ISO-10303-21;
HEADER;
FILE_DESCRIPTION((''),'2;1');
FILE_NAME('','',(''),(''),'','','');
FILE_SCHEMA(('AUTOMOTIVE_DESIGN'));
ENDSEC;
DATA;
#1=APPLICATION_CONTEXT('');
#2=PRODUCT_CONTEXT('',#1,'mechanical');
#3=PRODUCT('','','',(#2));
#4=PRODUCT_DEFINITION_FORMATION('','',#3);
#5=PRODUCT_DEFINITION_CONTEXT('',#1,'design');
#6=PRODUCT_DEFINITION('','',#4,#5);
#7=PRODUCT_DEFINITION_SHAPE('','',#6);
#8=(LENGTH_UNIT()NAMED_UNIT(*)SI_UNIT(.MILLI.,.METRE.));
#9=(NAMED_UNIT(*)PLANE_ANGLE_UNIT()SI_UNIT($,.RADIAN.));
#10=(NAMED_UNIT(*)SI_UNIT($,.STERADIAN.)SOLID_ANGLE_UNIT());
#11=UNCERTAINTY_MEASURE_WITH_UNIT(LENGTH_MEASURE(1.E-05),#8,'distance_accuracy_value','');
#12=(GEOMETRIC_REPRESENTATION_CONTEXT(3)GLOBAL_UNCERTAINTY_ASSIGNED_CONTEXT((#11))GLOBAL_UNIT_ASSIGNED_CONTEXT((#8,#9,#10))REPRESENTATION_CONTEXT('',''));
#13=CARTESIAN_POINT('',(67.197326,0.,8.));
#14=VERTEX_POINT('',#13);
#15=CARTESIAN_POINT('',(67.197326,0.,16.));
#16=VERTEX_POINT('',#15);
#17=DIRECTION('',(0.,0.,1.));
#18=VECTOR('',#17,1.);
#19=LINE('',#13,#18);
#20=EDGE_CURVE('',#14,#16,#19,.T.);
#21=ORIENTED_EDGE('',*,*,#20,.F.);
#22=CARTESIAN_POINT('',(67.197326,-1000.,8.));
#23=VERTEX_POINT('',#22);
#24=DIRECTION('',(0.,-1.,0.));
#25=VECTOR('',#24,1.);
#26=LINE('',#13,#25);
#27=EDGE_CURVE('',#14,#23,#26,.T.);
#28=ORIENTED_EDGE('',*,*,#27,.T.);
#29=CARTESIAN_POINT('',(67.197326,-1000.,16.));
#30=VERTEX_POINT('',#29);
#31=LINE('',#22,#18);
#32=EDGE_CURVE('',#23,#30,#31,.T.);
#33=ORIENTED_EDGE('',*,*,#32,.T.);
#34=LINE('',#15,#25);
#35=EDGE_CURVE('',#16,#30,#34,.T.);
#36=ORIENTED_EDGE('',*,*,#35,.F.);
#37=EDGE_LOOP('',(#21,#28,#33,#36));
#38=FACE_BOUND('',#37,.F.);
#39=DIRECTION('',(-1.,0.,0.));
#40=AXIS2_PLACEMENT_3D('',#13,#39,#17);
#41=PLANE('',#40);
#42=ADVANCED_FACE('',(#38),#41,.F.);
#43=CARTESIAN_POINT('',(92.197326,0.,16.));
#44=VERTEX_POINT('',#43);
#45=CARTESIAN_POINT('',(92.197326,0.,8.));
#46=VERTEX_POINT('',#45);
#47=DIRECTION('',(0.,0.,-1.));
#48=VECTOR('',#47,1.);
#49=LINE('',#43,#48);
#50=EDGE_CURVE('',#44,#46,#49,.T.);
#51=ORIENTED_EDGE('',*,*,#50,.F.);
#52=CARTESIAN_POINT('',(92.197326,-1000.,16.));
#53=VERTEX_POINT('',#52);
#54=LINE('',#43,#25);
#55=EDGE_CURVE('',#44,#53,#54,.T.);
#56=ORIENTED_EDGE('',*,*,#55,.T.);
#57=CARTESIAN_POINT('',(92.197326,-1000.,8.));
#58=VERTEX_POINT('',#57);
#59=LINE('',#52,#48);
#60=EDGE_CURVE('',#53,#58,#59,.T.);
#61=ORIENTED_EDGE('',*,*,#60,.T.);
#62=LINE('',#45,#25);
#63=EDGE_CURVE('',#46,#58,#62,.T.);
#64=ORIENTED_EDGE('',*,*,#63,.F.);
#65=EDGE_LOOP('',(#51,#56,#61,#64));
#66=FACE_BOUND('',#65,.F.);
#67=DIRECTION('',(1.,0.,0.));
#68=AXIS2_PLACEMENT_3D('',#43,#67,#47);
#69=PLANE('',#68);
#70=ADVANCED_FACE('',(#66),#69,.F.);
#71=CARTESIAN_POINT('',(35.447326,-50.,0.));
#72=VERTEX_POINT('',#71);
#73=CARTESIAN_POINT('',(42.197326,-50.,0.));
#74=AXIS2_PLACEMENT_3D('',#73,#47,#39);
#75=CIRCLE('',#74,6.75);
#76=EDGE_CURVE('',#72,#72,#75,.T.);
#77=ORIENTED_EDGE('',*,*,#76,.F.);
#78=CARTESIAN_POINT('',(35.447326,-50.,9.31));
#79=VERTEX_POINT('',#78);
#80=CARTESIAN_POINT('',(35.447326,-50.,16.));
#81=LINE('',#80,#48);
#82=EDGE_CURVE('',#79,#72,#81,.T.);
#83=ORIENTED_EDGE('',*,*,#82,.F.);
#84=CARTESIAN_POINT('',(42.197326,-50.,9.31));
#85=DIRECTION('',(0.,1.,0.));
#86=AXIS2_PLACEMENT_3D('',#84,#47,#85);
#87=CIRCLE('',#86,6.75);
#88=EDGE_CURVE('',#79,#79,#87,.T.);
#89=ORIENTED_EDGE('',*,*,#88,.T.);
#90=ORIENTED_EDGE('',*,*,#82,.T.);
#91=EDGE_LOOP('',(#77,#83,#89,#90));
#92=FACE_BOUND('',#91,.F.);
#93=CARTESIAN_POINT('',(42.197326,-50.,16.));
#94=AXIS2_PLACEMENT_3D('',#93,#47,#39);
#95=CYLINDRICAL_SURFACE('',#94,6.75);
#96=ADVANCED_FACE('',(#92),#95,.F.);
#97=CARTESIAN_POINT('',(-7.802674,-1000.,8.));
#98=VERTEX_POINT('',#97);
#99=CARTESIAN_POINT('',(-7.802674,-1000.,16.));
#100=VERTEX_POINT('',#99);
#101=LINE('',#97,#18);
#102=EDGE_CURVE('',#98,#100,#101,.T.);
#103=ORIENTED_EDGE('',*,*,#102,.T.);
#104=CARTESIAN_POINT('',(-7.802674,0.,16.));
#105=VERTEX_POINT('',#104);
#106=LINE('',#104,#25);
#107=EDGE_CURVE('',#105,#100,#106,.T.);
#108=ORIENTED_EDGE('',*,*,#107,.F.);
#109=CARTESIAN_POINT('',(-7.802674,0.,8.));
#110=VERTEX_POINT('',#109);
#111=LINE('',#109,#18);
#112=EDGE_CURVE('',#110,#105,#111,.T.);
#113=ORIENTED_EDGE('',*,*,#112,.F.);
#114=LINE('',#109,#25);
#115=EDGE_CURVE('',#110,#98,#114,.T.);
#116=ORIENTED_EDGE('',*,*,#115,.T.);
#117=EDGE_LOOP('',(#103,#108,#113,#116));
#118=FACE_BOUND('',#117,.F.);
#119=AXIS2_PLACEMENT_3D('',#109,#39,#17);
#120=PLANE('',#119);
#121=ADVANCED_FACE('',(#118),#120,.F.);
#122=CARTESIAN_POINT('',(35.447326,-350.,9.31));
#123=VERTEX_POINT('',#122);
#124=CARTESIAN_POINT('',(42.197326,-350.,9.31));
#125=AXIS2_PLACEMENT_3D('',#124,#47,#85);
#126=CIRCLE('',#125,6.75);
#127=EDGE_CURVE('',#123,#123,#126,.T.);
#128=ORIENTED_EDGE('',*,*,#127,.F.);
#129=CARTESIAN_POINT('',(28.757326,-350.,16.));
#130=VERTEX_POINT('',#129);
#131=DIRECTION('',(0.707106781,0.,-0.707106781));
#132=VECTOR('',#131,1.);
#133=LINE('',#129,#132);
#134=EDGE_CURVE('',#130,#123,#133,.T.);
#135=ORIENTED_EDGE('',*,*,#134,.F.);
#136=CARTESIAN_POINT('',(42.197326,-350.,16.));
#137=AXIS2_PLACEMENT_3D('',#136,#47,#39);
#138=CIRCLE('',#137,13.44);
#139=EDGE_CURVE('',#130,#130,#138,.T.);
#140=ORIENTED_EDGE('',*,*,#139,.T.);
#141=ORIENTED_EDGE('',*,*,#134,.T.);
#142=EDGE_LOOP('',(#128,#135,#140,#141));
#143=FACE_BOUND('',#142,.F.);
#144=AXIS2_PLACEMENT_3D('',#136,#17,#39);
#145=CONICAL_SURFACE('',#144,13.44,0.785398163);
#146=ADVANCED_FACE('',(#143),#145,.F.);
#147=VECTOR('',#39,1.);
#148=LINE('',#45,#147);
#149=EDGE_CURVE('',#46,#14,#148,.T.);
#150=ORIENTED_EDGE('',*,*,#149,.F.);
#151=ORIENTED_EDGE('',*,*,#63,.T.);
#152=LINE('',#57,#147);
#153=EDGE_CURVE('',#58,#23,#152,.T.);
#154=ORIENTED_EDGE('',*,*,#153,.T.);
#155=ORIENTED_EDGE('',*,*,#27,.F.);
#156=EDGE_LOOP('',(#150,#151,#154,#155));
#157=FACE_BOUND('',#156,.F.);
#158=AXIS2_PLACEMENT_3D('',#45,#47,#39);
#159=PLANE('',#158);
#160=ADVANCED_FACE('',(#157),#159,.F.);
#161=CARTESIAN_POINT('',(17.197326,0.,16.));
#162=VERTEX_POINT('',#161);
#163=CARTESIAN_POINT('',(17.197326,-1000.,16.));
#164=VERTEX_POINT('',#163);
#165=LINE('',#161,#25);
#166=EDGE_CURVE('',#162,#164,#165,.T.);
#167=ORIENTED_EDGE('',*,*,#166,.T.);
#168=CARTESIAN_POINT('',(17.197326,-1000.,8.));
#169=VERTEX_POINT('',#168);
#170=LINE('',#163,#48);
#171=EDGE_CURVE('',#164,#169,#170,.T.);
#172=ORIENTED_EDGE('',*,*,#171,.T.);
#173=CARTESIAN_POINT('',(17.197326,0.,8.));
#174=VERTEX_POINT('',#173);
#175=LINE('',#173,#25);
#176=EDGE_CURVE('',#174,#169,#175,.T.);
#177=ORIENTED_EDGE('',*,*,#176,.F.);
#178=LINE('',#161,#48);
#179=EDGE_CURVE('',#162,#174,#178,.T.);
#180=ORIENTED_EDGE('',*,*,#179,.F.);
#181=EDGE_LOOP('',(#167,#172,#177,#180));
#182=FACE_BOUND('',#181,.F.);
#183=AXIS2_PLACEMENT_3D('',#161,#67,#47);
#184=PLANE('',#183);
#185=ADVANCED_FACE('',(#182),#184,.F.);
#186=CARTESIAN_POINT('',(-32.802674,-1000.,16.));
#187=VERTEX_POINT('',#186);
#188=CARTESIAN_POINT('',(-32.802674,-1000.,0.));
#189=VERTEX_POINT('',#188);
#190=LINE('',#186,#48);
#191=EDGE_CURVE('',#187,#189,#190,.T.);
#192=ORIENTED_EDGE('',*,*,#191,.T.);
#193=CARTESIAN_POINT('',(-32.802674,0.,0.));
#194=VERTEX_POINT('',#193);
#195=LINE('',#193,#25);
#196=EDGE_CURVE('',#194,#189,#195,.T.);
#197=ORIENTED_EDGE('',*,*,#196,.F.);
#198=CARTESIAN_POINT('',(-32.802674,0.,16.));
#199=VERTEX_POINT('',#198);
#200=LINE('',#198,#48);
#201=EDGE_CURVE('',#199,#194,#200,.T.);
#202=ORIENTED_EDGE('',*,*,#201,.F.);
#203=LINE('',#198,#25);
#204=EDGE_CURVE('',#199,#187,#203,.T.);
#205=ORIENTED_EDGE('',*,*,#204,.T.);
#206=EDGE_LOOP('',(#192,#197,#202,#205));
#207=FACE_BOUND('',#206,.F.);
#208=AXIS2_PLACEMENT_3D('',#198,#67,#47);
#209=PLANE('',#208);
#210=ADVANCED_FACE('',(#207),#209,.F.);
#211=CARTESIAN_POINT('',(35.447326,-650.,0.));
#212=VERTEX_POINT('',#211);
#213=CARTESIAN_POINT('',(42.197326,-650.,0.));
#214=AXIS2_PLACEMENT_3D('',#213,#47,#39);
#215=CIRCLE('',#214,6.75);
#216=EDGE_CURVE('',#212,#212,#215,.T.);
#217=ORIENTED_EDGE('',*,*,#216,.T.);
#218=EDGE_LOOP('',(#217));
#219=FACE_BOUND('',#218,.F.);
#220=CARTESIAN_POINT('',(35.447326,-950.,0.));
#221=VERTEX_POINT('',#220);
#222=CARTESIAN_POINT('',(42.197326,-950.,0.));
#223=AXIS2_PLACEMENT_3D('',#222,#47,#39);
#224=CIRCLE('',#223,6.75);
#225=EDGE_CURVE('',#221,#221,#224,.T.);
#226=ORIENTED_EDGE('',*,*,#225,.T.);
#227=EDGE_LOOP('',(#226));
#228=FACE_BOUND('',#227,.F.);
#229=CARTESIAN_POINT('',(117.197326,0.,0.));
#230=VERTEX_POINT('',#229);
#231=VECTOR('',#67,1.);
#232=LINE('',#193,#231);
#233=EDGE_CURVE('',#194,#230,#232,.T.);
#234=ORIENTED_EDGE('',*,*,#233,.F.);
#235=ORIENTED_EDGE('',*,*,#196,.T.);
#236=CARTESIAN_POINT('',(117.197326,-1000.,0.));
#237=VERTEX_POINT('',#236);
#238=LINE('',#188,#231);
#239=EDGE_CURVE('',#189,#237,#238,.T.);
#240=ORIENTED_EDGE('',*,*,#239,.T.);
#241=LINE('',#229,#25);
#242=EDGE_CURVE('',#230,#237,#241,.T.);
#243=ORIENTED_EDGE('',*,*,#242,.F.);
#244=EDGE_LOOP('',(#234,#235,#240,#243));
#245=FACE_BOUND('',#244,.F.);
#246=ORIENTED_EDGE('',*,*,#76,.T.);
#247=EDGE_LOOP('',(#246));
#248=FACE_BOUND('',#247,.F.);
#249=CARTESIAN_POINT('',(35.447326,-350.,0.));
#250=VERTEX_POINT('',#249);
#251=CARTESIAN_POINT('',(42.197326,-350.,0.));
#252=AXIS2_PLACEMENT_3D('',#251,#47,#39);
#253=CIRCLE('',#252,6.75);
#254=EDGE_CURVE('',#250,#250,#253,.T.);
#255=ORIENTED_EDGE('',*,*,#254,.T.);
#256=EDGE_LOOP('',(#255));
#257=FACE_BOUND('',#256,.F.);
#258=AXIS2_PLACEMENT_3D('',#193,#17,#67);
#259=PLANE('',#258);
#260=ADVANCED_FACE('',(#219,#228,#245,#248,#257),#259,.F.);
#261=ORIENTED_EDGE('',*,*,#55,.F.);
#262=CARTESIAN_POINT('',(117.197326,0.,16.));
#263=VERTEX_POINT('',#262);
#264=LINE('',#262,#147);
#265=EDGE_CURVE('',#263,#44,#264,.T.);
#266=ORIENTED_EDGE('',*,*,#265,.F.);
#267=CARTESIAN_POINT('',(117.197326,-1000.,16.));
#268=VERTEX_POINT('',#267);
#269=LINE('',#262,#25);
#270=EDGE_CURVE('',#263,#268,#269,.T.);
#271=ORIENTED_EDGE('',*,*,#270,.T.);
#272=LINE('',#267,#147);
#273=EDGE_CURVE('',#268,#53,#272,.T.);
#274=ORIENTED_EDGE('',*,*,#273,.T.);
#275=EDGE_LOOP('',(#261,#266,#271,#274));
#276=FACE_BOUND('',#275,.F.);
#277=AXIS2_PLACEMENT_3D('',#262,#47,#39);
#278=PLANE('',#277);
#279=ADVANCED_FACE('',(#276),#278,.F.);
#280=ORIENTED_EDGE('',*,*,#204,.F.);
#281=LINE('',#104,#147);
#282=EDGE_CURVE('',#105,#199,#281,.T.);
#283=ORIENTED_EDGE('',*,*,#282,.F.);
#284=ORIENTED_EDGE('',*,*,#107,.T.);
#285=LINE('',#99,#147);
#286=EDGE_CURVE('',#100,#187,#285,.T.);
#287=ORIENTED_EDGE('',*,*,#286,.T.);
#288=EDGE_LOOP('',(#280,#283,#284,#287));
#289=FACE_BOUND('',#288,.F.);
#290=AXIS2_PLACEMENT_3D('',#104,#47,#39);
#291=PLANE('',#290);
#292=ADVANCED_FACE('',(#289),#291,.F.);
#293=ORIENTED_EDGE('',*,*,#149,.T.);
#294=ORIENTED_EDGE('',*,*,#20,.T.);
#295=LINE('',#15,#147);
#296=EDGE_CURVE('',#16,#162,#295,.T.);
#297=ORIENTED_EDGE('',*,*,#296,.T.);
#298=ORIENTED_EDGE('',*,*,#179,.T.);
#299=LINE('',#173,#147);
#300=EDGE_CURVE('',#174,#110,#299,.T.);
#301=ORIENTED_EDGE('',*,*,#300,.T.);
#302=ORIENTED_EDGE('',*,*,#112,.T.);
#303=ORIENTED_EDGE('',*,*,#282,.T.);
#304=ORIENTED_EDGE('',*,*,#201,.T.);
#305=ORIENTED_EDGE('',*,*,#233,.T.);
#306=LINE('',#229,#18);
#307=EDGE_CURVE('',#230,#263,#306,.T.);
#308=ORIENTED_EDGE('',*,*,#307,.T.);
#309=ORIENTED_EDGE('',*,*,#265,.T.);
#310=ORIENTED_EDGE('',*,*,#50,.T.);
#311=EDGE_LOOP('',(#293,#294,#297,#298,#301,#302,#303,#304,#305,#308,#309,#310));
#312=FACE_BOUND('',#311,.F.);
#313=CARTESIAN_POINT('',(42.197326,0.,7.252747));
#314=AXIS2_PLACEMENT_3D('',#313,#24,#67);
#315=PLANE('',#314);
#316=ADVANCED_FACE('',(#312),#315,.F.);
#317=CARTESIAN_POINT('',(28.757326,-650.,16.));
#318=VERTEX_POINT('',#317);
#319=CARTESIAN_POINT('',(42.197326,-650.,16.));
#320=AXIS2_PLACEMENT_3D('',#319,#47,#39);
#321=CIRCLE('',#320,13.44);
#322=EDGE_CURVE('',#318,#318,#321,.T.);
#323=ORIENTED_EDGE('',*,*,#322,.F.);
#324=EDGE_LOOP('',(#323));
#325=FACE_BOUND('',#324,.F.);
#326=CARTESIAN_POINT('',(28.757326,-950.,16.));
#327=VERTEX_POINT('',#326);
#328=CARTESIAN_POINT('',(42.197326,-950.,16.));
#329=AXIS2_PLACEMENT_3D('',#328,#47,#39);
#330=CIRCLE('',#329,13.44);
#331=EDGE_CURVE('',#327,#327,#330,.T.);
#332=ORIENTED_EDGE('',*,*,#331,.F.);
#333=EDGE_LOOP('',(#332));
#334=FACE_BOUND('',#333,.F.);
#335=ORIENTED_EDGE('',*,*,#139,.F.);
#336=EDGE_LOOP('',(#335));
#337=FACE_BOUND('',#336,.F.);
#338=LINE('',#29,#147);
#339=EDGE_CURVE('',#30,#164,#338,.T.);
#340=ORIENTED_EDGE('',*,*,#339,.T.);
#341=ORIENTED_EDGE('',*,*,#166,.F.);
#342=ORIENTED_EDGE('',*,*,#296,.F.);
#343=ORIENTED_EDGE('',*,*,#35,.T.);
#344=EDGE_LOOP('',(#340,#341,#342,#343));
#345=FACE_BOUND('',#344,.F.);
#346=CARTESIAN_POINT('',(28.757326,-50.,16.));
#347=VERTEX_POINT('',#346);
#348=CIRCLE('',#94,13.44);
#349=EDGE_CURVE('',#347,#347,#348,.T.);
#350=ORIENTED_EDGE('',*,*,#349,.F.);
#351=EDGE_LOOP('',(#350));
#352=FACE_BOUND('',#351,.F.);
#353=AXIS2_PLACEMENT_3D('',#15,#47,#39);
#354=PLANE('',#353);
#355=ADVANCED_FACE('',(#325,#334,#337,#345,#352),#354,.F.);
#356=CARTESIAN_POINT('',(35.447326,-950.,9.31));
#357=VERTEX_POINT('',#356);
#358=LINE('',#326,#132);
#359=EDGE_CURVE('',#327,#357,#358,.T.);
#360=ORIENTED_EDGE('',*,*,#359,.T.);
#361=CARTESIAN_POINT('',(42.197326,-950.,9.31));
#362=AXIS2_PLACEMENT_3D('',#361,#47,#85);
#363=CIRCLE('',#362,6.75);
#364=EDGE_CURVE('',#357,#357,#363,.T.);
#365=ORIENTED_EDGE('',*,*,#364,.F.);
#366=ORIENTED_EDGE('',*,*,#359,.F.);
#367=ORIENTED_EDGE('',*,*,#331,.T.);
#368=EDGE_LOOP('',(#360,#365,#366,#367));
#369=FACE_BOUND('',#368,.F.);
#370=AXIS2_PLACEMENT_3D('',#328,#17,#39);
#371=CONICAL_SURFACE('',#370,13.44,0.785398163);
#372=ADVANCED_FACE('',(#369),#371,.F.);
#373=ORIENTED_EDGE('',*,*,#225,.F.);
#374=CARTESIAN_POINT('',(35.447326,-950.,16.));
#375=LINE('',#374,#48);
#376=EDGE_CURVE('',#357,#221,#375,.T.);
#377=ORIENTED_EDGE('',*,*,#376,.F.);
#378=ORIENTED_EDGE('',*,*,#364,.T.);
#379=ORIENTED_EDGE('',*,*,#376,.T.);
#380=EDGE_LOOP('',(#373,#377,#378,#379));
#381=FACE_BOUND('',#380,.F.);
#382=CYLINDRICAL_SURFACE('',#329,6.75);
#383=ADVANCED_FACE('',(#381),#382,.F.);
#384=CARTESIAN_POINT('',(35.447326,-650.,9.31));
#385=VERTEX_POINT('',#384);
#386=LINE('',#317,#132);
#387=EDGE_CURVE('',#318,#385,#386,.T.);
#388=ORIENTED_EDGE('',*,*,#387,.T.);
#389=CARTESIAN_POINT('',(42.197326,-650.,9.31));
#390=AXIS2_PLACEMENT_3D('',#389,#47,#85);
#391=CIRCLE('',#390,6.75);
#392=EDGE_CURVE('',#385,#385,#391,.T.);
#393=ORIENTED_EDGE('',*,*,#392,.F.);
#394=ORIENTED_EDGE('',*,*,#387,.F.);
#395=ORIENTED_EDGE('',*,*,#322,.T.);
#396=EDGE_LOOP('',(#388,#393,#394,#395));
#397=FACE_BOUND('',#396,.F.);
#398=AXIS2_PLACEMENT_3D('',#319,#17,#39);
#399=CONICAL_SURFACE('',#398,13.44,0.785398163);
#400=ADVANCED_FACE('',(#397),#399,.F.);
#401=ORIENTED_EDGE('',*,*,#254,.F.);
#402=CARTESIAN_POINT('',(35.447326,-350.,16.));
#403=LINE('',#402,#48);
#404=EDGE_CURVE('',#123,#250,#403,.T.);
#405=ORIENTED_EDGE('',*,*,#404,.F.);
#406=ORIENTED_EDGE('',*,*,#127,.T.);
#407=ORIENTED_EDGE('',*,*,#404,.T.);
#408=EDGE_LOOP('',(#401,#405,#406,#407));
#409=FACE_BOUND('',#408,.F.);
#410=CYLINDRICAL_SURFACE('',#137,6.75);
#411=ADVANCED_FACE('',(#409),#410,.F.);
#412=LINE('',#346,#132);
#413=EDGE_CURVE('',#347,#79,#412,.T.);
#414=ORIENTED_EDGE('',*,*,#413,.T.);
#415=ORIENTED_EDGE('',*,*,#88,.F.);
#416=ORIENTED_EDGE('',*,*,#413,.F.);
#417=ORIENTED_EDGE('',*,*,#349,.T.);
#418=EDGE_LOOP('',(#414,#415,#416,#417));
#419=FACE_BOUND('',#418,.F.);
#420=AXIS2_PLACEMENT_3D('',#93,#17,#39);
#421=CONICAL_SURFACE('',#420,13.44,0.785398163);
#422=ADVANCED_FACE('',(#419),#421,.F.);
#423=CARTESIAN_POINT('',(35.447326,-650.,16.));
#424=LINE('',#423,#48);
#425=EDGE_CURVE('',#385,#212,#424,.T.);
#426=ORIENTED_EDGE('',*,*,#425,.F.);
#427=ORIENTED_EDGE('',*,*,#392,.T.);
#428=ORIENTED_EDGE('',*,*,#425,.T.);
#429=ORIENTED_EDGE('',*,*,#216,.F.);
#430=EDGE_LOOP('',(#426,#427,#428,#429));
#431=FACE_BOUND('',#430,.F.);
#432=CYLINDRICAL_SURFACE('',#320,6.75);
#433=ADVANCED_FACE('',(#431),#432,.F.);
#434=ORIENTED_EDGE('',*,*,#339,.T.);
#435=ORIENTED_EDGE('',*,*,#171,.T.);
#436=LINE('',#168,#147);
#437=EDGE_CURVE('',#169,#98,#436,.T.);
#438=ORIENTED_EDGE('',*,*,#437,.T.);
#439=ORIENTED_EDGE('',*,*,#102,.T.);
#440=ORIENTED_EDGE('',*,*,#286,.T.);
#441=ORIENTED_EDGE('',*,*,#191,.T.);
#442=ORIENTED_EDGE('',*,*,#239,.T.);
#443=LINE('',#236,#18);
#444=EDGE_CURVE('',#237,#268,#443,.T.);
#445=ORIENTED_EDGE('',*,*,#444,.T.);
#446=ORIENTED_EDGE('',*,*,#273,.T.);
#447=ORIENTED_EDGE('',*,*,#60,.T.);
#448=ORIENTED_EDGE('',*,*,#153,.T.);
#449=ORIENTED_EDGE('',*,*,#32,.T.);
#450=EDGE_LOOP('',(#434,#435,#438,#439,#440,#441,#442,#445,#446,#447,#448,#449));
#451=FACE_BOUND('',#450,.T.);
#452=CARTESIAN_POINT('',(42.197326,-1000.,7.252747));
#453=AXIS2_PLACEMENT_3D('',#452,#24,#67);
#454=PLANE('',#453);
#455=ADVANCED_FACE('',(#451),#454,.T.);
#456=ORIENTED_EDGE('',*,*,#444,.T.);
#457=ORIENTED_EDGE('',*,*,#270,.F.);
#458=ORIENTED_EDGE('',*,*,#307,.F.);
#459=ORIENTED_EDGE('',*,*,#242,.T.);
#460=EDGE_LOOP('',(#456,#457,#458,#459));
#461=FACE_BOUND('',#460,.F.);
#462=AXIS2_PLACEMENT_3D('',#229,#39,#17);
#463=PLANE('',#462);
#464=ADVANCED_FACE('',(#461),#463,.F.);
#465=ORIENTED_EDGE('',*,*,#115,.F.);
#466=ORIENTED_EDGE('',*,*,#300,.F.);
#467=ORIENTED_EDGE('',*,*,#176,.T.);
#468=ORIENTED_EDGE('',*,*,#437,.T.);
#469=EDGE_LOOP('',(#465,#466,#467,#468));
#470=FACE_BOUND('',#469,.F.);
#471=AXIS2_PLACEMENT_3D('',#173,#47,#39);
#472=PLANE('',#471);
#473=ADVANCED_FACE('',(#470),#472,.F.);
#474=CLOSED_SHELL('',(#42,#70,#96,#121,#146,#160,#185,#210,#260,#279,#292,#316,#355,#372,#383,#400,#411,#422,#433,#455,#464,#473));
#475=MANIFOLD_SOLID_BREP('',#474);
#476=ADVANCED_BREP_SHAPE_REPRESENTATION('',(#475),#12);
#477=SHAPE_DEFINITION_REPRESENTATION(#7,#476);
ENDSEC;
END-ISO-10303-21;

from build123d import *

# Parameters (mm, degrees)
F1_DEPTH       = 1000
F3_D           = 13.5
F3_DEPTH       = 16
F3_CSINK_D     = 26.88
F3_CSINK_ANGLE = 90
F3_TIP         = 4.0558091784


with BuildPart() as f1:
    # F0 (on Front) → F1 (new body)
    with BuildSketch(Plane.XZ):
        Polygon((-32.8026744276, 16), (-32.8026744276, 0), (117.1973255724, 0), (117.1973255724, 16), (92.1973255724, 16), (92.1973255724, 8), (67.1973255724, 8), (67.1973255724, 16), (42.1973255724, 16), (17.1973255724, 16), (17.1973255724, 8), (-7.8026744276, 8), (-7.8026744276, 16), align=None)
    extrude(amount=F1_DEPTH)

    # F3
    with Locations(Plane.XY.offset(16)):
        with Locations((42.1973255724, -50), (42.1973255724, -350), (42.1973255724, -650), (42.1973255724, -950)):
            CounterSinkHole(F3_D / 2, F3_CSINK_D / 2, depth=F3_DEPTH, counter_sink_angle=F3_CSINK_ANGLE)
            with Locations((0, 0, -(F3_DEPTH + F3_TIP / 2))):  # 118° drill point
                Cone(0, F3_D / 2, F3_TIP, mode=Mode.SUBTRACT)


solid = f1.part
